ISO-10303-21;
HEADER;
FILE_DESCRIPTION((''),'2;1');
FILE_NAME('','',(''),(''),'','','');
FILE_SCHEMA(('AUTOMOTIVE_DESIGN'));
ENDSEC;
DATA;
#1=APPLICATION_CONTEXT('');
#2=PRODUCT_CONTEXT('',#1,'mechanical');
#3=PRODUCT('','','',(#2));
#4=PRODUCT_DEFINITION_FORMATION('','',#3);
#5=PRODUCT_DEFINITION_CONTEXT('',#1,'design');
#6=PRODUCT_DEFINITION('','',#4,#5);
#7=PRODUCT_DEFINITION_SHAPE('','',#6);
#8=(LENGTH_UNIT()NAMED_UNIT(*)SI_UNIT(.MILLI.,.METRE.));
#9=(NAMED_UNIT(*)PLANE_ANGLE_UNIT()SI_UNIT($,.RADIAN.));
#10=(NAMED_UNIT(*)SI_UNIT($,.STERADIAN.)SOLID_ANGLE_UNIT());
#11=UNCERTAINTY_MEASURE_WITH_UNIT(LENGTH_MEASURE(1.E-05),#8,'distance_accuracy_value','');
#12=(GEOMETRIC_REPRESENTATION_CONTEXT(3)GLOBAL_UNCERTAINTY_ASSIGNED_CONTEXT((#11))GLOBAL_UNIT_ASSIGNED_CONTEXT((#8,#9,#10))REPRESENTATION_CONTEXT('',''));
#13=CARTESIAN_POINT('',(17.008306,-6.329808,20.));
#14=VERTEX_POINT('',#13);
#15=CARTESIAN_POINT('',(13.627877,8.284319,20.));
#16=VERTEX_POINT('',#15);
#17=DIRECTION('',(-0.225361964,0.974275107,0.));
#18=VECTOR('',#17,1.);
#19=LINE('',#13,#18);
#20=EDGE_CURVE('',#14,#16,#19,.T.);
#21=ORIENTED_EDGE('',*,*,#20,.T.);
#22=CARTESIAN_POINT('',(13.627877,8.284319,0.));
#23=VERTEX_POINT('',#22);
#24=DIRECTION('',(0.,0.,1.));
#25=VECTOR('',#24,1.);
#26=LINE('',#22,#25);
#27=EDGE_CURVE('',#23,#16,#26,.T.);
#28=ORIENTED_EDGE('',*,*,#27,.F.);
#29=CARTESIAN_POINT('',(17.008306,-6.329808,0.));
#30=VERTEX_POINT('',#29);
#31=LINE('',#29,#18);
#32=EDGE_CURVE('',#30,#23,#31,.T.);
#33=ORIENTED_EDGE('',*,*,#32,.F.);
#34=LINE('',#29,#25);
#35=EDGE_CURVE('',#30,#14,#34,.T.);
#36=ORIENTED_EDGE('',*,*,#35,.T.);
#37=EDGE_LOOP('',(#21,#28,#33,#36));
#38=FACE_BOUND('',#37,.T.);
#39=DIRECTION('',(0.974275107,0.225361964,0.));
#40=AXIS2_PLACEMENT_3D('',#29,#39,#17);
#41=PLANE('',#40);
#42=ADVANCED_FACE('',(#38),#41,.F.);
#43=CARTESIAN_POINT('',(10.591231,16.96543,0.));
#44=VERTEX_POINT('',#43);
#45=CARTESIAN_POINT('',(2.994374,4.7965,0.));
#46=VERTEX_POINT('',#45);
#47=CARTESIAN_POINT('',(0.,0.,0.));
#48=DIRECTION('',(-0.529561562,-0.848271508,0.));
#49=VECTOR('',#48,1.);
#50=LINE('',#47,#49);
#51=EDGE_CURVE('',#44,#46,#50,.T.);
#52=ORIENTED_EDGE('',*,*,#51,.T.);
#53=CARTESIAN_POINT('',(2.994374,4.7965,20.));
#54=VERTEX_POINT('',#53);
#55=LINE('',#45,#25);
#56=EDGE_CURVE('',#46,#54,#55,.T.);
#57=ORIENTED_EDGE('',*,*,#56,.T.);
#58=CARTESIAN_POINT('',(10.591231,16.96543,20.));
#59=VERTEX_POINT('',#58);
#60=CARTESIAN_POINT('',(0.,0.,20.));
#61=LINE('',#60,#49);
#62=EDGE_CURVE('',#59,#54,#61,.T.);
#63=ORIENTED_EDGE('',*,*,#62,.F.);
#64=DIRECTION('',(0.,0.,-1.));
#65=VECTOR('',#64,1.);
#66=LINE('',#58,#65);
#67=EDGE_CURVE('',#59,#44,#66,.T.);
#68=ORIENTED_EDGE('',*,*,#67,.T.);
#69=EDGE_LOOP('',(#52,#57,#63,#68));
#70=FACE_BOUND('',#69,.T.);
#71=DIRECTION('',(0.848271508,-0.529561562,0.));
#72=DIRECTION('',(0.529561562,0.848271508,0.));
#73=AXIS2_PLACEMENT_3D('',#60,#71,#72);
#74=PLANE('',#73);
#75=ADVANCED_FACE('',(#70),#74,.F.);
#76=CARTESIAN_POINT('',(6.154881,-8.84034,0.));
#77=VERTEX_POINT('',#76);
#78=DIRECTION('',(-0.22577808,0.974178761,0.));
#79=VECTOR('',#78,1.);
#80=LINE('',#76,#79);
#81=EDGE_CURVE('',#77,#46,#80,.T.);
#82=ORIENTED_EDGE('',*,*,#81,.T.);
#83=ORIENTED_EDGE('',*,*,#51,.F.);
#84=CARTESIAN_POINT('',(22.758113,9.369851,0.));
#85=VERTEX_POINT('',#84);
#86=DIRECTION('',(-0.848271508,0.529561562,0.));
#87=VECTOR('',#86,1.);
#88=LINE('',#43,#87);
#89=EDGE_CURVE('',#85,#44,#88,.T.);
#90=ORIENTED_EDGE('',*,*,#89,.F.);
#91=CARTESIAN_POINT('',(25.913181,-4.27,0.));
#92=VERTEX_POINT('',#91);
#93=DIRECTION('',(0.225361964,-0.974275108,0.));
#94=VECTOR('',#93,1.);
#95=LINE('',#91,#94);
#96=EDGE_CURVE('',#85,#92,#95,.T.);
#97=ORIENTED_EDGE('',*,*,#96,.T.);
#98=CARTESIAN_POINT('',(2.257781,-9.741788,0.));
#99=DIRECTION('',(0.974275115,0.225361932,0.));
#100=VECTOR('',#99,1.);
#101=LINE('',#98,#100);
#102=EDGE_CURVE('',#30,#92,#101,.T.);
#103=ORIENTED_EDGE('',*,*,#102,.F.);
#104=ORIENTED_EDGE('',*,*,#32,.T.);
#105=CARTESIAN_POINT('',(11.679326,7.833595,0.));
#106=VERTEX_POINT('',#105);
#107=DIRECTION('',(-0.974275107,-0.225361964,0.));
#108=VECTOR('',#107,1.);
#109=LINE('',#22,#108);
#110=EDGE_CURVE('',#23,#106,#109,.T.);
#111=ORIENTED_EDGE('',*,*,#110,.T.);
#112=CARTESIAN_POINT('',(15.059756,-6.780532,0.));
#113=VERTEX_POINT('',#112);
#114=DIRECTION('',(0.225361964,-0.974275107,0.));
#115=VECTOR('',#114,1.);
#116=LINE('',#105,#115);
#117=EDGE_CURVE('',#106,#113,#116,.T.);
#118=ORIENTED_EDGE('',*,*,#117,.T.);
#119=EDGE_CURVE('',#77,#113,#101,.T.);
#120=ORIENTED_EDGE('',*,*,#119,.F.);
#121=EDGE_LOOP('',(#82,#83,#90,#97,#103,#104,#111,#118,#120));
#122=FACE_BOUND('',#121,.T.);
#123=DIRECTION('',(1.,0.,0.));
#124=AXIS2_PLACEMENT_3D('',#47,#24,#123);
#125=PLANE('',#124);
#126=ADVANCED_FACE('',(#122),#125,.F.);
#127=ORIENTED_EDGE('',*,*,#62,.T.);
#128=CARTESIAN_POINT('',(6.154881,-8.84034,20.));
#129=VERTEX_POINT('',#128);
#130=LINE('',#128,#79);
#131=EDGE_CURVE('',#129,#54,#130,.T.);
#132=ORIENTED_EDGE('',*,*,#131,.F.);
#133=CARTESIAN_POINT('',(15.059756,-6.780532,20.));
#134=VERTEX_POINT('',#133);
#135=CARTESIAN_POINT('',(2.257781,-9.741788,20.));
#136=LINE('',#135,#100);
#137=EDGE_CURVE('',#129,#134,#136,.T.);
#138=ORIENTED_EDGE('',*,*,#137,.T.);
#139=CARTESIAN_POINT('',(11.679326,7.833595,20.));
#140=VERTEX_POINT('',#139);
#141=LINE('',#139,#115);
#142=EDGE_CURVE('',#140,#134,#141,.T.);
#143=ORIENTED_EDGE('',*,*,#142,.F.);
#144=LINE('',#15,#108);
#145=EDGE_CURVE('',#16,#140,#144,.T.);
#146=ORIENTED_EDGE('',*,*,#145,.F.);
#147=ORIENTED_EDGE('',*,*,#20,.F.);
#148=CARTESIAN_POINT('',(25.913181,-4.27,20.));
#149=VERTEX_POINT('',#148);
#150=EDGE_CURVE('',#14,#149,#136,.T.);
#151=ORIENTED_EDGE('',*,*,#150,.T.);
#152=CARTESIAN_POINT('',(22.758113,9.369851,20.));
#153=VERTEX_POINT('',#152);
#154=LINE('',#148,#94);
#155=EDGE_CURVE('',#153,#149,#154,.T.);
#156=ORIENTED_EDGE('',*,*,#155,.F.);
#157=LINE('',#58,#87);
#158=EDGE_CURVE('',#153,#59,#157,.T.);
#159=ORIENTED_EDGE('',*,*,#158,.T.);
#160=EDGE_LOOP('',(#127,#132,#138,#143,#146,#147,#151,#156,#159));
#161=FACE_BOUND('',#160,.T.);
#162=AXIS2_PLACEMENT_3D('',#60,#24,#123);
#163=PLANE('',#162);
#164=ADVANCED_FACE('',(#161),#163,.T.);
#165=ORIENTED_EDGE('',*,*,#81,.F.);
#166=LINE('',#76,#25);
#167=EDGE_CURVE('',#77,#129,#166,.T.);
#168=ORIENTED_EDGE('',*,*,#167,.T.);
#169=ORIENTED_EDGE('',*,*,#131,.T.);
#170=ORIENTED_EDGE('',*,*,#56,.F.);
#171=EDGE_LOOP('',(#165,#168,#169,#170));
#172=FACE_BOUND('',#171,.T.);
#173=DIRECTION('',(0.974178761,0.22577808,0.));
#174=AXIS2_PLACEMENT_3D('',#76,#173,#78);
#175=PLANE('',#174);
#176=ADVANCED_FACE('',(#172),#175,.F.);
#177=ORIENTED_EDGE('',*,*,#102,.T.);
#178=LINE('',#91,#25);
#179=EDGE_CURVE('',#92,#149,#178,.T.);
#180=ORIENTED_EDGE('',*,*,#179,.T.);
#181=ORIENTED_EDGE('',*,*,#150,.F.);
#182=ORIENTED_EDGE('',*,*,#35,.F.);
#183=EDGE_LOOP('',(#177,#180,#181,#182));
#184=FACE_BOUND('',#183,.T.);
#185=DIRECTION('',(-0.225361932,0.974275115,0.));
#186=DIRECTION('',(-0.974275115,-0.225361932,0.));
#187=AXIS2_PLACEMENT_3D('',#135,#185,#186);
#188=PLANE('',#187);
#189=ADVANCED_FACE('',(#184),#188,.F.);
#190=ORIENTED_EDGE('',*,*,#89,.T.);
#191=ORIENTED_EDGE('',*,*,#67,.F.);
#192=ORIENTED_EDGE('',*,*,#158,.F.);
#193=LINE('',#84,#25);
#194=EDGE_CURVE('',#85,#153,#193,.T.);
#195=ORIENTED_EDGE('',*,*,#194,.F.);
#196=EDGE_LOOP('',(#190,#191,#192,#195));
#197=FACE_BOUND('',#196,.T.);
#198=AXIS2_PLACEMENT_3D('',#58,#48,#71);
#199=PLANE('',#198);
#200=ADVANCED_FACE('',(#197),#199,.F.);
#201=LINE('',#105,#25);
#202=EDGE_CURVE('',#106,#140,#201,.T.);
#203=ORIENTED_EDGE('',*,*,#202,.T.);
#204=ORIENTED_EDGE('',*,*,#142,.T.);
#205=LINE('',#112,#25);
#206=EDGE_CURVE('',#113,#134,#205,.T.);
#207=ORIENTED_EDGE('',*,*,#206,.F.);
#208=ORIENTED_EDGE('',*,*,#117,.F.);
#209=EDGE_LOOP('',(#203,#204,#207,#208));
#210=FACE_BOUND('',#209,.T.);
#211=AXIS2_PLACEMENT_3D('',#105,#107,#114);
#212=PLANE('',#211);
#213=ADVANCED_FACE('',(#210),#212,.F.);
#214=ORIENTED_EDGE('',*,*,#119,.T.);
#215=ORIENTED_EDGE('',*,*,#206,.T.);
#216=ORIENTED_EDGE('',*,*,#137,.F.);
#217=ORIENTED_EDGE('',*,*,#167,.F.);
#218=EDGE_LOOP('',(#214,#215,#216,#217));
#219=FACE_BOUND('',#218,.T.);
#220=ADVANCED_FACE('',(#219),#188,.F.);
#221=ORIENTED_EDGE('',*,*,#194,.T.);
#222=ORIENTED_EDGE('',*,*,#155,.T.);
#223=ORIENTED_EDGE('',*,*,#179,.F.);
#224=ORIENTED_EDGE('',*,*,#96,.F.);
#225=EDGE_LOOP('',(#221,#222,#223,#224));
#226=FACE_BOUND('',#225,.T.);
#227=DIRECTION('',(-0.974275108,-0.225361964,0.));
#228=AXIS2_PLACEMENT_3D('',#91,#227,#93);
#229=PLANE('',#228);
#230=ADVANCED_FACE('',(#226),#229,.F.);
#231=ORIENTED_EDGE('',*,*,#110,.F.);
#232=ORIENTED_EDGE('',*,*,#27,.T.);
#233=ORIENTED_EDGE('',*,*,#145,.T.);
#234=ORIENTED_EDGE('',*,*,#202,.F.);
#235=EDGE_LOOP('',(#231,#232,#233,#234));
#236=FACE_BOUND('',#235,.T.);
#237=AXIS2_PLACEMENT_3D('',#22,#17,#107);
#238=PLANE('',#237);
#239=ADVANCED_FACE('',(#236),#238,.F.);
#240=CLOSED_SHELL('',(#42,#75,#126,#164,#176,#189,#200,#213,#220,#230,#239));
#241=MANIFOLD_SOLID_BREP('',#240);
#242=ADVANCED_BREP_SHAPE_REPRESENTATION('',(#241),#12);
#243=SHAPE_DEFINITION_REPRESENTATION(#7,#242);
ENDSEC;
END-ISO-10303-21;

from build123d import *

# Parameters (mm, degrees)
BOSS_EXTRU_1_DEPTH      = 20
ENL_V_MAT_EXTRU_1_DEPTH = 20
ENL_V_MAT_EXTRU_2_DEPTH = 20


with BuildPart() as part:
    # Esquisse1 → Boss.-Extru.1 (new body)
    with BuildSketch(Plane.XY):
        Polygon((0, 0), (10.591231248, 16.965430164), (27.556661412, 6.374198916), (29.810281051, -3.368552159), (2.257780804, -9.74178761), align=None)
    extrude(amount=BOSS_EXTRU_1_DEPTH)

    # Esquisse3 → Enlèv. mat.-Extru.1 (cut)
    with BuildSketch(Plane.XY.offset(20)):
        Polygon((15.059755827, -6.780531881), (17.008306042, -6.329807952), (13.627876577, 8.28431866), (11.679326362, 7.833594731), align=None)
    extrude(amount=-ENL_V_MAT_EXTRU_1_DEPTH, mode=Mode.SUBTRACT)

    # Esquisse4 → Enlèv. mat.-Extru.2 (cut)
    with BuildSketch(Plane.XY.offset(20)):
        Polygon((6.154881268, -8.8403399), (2.994373603, 4.796499582), (-5.37239396, 2.5559716), (0.883083606, -10.672172042), (6.394810123, -10.300296517), align=None)
        Polygon((25.913180592, -4.269999889), (22.758113126, 9.369851491), (37.693290305, 8.113830617), (39.464159746, -8.899165087), (30.389447251, -4.288402222), align=None)
    extrude(amount=-ENL_V_MAT_EXTRU_2_DEPTH, mode=Mode.SUBTRACT)


solid = part.part
